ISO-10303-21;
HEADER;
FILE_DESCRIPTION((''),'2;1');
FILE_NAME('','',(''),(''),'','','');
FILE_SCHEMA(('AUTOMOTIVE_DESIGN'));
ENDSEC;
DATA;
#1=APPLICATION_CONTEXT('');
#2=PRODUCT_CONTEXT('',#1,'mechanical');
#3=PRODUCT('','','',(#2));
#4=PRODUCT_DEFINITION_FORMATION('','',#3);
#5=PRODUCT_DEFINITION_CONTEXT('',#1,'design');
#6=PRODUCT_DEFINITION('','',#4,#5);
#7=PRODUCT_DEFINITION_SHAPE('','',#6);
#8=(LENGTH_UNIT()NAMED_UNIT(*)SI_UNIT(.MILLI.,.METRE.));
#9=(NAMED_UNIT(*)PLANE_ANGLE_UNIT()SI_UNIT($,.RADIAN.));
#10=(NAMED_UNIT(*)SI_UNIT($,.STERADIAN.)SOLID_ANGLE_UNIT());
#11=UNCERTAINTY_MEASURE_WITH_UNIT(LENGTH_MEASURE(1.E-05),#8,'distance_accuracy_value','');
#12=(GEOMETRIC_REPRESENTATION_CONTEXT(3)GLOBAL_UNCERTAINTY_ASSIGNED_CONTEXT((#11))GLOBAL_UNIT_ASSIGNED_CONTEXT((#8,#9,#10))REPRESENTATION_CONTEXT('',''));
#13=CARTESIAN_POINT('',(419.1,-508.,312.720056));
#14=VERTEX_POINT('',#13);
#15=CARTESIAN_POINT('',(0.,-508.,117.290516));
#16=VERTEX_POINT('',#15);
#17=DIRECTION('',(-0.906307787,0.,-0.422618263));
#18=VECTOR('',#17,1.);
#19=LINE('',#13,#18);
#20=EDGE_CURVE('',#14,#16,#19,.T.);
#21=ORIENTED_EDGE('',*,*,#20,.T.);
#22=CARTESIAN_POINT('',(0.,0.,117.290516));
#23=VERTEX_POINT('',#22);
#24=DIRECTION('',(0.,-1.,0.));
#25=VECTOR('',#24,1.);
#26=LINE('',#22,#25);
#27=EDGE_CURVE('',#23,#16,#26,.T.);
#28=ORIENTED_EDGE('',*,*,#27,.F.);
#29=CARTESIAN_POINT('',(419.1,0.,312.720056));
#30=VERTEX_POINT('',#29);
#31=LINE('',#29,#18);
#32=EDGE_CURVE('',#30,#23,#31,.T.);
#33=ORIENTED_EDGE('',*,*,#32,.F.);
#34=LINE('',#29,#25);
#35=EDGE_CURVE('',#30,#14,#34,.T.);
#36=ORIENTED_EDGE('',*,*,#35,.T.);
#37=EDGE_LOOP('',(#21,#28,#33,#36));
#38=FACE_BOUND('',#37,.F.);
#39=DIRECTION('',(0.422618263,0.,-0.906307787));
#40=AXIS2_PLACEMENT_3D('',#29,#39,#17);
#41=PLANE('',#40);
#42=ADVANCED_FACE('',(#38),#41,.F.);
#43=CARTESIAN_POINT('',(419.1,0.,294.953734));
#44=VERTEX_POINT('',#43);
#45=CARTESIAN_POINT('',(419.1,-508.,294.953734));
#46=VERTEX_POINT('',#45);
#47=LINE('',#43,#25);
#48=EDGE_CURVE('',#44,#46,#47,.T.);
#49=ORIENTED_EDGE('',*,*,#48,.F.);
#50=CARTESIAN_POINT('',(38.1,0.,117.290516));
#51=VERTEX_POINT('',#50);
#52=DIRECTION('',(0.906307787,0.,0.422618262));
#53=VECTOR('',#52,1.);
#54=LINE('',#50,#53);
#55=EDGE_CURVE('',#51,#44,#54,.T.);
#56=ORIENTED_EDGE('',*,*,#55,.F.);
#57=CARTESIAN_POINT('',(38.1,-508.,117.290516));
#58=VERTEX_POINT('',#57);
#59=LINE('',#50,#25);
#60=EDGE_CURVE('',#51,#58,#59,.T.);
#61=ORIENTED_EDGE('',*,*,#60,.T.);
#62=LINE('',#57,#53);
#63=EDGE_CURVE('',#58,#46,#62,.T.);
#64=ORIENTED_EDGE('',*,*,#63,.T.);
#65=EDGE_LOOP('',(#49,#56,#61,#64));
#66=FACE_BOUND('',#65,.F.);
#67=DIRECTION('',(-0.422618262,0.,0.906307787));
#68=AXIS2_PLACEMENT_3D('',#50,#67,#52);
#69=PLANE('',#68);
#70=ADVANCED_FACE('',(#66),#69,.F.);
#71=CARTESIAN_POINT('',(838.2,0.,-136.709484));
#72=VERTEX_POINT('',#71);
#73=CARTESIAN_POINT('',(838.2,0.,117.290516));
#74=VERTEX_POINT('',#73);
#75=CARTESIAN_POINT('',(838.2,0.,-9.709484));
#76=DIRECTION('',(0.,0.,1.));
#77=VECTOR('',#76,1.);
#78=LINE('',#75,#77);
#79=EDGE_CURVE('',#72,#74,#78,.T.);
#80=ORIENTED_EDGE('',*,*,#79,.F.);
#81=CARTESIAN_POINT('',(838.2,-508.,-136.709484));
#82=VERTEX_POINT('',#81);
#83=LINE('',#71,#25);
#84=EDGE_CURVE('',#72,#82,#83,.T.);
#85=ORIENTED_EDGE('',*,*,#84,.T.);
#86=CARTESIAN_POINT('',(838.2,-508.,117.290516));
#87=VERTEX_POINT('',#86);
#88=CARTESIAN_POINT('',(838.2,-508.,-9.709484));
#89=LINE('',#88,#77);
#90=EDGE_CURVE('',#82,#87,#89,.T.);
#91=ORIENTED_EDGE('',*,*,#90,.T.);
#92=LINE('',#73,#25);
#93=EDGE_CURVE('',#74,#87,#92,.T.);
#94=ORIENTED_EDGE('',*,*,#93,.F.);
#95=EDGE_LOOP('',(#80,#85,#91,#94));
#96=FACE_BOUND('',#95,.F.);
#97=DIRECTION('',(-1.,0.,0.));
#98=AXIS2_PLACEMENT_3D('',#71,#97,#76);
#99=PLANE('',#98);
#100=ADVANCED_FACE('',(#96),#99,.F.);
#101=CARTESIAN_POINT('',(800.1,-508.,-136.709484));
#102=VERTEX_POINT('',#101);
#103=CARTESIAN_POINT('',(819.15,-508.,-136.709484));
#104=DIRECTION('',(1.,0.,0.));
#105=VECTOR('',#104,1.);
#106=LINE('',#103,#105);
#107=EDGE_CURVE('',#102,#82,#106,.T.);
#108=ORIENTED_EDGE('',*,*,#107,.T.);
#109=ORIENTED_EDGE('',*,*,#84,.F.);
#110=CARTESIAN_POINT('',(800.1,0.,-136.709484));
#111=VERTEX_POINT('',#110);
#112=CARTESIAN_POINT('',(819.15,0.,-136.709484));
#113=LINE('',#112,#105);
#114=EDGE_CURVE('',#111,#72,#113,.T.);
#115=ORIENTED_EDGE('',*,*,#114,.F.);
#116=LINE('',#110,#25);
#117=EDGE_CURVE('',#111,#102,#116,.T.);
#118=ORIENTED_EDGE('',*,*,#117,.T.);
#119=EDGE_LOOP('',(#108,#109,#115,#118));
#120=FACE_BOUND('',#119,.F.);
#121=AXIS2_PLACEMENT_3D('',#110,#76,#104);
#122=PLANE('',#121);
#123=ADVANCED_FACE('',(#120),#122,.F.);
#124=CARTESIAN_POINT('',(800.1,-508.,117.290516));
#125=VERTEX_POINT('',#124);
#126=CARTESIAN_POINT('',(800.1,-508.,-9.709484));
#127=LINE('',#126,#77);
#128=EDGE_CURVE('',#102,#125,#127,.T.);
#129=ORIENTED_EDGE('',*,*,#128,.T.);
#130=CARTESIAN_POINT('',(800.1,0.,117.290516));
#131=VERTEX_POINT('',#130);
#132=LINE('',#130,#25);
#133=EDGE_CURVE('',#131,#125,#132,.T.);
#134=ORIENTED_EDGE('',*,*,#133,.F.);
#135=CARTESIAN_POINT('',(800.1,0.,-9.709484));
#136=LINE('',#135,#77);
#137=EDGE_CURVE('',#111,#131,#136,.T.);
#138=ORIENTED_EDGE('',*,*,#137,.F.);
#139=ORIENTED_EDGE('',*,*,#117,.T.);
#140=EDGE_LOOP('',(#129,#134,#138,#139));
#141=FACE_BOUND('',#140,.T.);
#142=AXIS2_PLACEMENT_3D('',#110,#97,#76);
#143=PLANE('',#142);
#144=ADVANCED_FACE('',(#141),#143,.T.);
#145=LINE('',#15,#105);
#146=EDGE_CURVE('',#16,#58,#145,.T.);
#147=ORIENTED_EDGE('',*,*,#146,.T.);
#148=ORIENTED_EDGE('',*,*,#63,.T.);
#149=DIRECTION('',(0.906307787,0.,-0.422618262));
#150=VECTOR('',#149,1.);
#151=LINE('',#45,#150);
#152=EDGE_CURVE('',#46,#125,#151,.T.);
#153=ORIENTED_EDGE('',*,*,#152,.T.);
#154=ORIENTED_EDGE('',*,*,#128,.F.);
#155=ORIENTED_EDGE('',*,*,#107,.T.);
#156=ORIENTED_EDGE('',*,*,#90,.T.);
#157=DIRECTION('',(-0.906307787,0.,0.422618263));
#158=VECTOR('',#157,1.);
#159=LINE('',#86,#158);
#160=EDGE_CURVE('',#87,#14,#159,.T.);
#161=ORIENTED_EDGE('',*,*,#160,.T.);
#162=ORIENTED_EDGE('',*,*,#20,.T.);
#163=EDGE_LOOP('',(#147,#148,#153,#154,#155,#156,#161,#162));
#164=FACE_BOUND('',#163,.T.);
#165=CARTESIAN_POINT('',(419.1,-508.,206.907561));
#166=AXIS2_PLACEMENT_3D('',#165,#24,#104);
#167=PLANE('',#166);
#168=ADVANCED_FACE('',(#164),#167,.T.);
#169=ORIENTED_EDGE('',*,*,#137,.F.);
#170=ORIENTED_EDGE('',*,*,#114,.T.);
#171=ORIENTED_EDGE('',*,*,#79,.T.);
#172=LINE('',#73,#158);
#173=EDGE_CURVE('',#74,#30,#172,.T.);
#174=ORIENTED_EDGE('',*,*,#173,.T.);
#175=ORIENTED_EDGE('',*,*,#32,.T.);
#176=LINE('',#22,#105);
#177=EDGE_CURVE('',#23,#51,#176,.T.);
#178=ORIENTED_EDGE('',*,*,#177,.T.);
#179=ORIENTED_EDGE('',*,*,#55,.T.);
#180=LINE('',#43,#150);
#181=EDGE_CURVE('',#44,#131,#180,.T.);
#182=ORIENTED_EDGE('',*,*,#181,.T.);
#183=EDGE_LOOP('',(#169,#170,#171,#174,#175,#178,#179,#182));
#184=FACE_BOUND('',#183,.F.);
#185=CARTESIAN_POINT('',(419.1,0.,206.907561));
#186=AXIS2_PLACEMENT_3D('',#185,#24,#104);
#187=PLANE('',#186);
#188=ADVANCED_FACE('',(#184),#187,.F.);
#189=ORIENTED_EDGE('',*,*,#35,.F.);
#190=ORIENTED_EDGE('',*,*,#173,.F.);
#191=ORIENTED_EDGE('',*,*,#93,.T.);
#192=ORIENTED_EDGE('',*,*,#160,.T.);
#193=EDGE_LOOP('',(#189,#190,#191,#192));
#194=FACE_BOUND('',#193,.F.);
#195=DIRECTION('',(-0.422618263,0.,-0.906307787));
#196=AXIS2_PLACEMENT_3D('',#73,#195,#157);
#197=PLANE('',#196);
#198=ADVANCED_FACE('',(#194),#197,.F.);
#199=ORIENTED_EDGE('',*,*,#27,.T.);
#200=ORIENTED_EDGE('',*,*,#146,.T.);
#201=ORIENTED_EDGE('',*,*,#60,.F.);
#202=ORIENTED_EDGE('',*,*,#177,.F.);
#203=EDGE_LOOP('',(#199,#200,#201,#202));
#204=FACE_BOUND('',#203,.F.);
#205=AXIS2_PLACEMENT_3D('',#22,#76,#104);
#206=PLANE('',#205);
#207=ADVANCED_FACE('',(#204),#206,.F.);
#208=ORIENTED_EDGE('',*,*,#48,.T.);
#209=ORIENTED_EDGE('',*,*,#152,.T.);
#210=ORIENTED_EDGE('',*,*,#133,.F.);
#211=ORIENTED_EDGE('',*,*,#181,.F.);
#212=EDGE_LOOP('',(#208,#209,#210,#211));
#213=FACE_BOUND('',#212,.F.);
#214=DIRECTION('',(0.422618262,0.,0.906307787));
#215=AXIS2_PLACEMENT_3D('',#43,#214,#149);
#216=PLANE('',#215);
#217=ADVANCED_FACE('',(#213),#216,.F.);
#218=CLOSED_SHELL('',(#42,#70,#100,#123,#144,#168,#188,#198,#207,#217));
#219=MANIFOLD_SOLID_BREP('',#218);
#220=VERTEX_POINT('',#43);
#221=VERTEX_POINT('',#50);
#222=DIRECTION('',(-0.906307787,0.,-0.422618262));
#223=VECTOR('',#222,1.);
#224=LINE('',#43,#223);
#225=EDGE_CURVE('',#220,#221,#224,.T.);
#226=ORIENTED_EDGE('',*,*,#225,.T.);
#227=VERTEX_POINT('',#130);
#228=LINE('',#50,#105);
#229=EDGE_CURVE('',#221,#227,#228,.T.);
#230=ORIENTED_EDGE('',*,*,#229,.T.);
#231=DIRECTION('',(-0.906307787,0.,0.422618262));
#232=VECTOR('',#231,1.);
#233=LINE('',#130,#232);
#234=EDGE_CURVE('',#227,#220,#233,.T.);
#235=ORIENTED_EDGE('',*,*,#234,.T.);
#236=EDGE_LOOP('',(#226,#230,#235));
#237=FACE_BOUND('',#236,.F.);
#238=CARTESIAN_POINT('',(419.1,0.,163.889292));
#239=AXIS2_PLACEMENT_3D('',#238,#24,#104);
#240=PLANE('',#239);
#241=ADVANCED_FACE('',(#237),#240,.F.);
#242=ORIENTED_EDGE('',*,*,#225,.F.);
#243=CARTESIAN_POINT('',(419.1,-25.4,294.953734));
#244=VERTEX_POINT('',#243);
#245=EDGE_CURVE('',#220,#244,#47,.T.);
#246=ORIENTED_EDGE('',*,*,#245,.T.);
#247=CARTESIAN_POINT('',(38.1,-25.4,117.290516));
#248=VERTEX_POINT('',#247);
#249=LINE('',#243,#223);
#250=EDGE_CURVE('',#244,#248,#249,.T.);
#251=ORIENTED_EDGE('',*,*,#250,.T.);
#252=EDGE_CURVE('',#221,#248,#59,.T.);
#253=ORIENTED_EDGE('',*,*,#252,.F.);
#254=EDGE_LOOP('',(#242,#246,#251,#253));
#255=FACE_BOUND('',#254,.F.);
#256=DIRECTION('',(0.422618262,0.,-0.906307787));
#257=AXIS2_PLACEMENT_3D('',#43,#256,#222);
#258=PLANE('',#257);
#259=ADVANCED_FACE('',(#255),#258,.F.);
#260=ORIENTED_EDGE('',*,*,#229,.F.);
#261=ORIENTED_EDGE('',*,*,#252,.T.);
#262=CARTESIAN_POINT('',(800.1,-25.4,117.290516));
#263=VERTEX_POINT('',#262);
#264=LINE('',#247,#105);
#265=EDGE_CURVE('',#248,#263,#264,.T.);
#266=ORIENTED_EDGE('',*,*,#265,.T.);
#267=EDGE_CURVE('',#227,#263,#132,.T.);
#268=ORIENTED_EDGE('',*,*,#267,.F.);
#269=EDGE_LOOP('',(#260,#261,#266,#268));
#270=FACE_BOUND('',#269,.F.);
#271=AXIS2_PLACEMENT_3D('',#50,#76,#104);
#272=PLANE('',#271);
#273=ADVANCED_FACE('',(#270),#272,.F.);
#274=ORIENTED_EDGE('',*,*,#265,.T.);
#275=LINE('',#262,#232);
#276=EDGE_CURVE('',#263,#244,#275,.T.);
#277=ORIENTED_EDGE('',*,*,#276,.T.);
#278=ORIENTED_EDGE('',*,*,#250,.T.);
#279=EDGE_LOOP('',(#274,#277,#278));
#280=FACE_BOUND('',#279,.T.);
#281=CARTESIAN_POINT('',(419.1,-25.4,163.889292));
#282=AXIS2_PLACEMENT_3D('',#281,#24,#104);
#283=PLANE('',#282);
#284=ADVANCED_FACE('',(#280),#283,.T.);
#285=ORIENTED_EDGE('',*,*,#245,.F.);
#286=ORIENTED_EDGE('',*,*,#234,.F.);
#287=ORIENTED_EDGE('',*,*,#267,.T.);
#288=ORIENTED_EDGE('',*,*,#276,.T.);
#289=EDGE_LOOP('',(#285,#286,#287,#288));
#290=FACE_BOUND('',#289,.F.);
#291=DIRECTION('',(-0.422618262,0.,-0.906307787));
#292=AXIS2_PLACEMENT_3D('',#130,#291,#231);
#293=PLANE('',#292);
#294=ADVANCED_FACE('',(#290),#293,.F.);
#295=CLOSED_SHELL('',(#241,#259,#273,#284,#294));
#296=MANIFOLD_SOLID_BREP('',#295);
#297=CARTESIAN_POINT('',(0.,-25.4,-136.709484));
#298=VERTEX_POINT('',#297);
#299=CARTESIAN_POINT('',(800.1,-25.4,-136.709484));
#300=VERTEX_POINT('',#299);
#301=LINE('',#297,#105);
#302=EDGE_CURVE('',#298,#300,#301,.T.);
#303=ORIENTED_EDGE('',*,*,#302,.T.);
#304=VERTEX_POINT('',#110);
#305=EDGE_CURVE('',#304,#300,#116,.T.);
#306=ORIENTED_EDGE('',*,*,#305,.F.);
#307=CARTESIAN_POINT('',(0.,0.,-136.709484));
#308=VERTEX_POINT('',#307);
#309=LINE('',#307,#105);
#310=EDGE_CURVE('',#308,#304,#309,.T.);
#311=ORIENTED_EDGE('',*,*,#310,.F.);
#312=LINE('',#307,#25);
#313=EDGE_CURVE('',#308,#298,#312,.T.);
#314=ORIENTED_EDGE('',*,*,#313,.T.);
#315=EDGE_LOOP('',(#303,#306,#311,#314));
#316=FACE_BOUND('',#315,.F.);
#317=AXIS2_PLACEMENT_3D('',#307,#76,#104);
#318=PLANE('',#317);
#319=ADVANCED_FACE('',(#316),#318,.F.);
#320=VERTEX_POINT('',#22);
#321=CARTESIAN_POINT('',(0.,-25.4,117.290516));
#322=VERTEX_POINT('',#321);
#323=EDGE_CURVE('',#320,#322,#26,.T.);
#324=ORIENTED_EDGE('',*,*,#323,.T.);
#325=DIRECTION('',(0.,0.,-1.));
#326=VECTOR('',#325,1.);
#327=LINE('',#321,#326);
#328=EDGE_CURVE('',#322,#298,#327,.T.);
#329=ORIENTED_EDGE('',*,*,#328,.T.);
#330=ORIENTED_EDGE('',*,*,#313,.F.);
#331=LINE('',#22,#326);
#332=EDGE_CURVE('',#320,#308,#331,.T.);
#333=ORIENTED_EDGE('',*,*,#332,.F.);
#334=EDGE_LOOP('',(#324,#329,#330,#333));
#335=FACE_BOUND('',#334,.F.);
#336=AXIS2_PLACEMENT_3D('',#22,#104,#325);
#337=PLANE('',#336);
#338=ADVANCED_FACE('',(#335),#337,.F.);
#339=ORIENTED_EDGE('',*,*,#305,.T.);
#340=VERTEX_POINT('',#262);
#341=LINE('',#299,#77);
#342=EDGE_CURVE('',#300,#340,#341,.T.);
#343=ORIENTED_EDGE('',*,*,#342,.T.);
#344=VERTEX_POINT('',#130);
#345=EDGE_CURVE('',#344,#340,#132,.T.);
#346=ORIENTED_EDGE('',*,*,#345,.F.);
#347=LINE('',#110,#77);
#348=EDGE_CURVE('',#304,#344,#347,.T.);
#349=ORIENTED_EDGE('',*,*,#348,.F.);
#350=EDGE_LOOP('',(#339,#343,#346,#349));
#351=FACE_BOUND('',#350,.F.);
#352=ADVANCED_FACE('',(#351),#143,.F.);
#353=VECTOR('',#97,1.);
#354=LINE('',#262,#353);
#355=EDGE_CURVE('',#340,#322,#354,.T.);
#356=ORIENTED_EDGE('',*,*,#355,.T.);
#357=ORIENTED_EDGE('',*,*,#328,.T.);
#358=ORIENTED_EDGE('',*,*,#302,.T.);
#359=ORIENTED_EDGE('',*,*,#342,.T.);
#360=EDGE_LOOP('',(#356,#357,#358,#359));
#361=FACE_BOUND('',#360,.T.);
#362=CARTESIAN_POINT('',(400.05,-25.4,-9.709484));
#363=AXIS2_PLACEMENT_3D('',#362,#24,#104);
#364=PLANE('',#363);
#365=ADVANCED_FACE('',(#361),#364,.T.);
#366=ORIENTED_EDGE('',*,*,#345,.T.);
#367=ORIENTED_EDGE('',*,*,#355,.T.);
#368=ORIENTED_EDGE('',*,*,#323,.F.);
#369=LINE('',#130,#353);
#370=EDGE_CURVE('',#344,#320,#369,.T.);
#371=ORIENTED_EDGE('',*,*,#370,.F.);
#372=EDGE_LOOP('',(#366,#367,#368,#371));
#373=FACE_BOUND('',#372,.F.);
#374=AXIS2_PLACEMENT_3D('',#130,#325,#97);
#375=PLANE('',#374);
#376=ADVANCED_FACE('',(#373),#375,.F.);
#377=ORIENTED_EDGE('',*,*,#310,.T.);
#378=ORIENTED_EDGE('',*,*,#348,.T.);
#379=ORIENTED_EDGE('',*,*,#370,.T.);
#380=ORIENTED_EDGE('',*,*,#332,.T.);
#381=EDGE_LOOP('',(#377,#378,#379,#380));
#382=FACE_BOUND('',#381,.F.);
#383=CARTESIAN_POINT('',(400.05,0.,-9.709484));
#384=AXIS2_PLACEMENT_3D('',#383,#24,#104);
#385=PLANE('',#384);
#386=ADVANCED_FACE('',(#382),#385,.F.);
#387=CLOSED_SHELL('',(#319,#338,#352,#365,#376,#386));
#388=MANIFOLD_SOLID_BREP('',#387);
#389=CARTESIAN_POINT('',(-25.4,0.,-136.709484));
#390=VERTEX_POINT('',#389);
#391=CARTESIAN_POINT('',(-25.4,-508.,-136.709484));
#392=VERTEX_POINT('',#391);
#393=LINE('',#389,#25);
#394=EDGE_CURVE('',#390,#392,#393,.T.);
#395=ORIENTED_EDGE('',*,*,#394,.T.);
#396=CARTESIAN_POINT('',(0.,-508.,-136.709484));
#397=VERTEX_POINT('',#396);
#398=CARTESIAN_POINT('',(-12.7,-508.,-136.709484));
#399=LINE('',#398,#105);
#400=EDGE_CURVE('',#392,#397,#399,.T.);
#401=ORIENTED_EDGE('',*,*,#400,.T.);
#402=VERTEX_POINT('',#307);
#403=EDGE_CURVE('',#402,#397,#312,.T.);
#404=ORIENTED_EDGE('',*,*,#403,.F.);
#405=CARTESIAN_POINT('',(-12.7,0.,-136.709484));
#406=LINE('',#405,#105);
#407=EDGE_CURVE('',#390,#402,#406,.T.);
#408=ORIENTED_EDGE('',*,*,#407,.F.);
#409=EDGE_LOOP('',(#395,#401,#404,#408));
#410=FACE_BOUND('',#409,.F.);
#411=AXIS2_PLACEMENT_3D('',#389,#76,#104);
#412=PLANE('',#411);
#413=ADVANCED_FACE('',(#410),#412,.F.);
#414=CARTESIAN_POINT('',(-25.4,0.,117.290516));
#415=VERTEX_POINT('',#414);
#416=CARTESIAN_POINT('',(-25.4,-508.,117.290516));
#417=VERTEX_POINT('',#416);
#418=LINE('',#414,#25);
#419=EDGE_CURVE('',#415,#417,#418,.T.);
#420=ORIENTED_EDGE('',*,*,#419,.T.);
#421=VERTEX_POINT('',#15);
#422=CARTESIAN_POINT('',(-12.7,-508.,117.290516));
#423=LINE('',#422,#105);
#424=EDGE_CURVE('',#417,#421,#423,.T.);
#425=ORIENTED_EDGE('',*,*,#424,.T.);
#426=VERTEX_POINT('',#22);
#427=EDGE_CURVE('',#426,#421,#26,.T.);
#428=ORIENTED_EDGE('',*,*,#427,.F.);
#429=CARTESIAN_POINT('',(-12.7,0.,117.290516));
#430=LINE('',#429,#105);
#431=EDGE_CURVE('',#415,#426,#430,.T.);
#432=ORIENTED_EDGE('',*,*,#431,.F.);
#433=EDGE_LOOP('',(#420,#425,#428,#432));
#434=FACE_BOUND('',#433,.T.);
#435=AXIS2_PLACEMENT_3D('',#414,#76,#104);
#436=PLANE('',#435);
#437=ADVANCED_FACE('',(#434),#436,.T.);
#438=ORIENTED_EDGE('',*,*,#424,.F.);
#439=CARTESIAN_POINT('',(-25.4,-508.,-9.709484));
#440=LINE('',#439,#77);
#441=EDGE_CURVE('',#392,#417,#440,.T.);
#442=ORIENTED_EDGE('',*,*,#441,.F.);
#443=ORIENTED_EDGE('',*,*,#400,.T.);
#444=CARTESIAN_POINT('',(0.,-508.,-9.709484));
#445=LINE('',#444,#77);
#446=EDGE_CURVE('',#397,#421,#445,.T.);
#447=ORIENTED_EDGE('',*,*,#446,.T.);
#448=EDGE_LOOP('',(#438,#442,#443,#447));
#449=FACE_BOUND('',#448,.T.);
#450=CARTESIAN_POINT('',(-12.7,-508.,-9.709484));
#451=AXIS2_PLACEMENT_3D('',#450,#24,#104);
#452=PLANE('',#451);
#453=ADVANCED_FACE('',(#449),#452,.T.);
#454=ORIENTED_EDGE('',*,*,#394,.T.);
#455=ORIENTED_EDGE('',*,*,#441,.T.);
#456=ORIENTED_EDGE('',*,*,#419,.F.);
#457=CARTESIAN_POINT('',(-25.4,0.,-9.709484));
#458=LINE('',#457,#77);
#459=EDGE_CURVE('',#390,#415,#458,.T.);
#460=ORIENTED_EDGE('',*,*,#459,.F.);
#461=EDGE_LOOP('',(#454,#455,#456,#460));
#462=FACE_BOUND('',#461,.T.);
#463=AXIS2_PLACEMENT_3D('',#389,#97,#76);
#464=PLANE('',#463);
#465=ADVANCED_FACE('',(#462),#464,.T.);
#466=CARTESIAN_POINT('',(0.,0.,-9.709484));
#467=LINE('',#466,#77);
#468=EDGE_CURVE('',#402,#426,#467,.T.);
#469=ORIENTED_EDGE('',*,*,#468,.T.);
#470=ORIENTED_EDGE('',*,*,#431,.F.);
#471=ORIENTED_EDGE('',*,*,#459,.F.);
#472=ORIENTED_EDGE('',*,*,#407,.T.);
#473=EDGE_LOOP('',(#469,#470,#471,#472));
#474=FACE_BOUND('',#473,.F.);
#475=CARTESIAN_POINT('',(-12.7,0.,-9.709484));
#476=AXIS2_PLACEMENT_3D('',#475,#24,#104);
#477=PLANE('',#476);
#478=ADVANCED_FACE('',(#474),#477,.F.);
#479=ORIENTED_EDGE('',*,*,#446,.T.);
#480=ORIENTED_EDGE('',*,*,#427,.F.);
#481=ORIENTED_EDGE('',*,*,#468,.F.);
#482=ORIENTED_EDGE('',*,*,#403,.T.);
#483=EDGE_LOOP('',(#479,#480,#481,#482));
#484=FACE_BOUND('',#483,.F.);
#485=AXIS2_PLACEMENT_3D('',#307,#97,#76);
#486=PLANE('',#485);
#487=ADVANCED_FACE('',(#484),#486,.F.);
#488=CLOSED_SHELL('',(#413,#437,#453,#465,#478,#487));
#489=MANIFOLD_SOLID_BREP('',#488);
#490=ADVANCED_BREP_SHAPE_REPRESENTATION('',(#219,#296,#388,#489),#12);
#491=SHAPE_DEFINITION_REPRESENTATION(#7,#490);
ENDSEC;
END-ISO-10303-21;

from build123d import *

# Parameters (mm, degrees)
F0_W     = 25.4
F0_H     = 254
F1_DEPTH = 508
F0_W_2   = 38.1
F2_DEPTH = 508
F3_DEPTH = 508
F4_DEPTH = 25.4
F5_DEPTH = 25.4


with BuildPart() as f1:
    # F0 (on Front) → F1 (new body)
    with BuildSketch(Plane.XZ):
        with Locations((-12.7, -9.709484)):
            Rectangle(F0_W, F0_H)
    extrude(amount=F1_DEPTH)



with BuildPart() as f2:
    # F0 (on Front) → F2 (new body)
    with BuildSketch(Plane.XZ):
        with Locations((819.15, -9.709484)):
            Rectangle(F0_W_2, F0_H)
    extrude(amount=F2_DEPTH)


with BuildPart() as f1_1:
    add(f1.part)

    add(f2.part)  # F3 merges F2
    # F0 (on Front) → F3 (join)
    with BuildSketch(Plane.XZ):
        Polygon((419.1, 312.720056), (0, 117.290516), (38.1, 117.290516), (419.1, 294.953734), (800.1, 117.290516), (838.2, 117.290516), align=None)
    extrude(amount=F3_DEPTH)


with BuildPart() as f4:
    # F0 (on Front) → F4 (new body)
    with BuildSketch(Plane.XZ):
        Polygon((38.1, 117.290516), (0, 117.290516), (0, -136.709484), (76.2, -136.709484), (800.1, -136.709484), (800.1, 117.290516), align=None)
    extrude(amount=F4_DEPTH)


with BuildPart() as f5:
    # F0 (on Front) → F5 (new body)
    with BuildSketch(Plane.XZ):
        Polygon((419.1, 294.953734), (38.1, 117.290516), (800.1, 117.290516), align=None)
    extrude(amount=F5_DEPTH)


solid = Compound([f1_1.part, f4.part, f5.part])
